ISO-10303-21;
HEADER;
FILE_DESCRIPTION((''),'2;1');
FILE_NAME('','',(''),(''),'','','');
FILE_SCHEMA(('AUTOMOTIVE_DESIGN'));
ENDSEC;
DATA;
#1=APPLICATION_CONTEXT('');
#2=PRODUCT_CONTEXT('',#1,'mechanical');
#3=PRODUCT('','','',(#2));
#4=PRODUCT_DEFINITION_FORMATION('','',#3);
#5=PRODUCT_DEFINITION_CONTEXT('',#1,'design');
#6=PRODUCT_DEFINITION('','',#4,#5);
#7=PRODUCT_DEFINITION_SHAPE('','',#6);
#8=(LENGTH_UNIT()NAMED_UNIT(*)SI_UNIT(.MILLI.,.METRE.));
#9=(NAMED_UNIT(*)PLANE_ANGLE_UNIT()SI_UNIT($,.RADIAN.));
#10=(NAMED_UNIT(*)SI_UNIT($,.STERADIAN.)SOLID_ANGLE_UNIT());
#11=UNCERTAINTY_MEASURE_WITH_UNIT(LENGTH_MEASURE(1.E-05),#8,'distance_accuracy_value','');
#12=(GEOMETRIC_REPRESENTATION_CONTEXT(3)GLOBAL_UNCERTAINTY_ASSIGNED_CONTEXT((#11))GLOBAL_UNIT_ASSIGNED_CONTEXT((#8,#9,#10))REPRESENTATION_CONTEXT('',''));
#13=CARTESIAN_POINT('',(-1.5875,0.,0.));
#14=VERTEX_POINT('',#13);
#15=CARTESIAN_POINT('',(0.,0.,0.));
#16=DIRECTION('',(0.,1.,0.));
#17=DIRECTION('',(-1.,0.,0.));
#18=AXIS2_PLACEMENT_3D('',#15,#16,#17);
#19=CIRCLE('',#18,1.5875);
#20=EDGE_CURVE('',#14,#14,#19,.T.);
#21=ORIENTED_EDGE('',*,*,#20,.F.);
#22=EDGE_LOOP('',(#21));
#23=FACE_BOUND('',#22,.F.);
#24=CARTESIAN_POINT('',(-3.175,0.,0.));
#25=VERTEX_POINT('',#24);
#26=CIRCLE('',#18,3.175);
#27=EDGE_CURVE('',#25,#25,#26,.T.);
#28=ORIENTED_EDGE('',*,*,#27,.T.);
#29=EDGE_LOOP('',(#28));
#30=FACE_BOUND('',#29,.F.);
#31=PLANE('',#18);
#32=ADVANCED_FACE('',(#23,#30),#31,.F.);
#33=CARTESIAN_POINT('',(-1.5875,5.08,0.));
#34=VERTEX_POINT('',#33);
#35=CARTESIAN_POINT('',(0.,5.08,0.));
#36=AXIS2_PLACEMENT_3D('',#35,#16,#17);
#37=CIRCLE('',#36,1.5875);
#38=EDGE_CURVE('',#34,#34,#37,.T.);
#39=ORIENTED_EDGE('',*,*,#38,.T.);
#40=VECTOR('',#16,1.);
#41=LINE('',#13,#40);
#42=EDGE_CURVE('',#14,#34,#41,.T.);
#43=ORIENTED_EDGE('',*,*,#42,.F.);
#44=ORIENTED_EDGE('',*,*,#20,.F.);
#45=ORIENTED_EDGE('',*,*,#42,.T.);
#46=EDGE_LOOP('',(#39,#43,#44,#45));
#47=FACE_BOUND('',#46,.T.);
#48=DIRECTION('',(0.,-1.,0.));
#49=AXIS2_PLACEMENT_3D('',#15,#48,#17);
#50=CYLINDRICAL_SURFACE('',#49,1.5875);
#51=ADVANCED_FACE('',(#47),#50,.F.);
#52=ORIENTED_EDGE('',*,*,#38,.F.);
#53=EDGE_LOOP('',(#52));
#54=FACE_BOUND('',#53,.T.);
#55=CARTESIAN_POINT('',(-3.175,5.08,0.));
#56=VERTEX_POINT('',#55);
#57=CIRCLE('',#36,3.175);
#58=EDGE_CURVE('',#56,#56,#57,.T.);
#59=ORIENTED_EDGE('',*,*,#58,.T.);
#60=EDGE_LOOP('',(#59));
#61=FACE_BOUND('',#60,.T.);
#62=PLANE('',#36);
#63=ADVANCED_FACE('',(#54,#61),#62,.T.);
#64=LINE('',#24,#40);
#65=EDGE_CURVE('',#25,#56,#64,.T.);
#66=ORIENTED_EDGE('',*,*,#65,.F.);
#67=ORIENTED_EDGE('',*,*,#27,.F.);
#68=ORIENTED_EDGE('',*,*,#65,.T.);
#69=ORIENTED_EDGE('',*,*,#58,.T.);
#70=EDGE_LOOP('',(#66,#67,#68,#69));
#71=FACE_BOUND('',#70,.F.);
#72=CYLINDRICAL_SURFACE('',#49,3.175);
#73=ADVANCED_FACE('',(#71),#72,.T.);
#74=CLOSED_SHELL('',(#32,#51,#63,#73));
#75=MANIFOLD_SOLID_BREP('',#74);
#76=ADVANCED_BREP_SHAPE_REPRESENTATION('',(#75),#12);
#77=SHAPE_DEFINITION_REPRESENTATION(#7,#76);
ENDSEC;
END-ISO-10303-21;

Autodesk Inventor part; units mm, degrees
ref_plane "YZ Plane" through (0, 0, 0) normal (1, 0, 0) x (0, 1, 0)
ref_plane "XZ Plane" through (0, 0, 0) normal (0, 1, 0) x (-1, 0, 0)
ref_plane "XY Plane" through (0, 0, 0) normal (0, 0, 1) x (1, 0, 0)
sketch "Sketch1" plane through (0, 0, 0) normal (0, 1, 0) x (-1, 0, 0)
  circle A0 centre (0, 0) radius 1.5875
  circle A1 centre (0, 0) radius 3.175
  dimension "d0" = 3.175
  dimension "d1" = 6.35
extrude "Extrusion1" add sketch "Sketch1" along normal blind 5.08
properties part number "pushRodCollar" material "ABS Plastic"
